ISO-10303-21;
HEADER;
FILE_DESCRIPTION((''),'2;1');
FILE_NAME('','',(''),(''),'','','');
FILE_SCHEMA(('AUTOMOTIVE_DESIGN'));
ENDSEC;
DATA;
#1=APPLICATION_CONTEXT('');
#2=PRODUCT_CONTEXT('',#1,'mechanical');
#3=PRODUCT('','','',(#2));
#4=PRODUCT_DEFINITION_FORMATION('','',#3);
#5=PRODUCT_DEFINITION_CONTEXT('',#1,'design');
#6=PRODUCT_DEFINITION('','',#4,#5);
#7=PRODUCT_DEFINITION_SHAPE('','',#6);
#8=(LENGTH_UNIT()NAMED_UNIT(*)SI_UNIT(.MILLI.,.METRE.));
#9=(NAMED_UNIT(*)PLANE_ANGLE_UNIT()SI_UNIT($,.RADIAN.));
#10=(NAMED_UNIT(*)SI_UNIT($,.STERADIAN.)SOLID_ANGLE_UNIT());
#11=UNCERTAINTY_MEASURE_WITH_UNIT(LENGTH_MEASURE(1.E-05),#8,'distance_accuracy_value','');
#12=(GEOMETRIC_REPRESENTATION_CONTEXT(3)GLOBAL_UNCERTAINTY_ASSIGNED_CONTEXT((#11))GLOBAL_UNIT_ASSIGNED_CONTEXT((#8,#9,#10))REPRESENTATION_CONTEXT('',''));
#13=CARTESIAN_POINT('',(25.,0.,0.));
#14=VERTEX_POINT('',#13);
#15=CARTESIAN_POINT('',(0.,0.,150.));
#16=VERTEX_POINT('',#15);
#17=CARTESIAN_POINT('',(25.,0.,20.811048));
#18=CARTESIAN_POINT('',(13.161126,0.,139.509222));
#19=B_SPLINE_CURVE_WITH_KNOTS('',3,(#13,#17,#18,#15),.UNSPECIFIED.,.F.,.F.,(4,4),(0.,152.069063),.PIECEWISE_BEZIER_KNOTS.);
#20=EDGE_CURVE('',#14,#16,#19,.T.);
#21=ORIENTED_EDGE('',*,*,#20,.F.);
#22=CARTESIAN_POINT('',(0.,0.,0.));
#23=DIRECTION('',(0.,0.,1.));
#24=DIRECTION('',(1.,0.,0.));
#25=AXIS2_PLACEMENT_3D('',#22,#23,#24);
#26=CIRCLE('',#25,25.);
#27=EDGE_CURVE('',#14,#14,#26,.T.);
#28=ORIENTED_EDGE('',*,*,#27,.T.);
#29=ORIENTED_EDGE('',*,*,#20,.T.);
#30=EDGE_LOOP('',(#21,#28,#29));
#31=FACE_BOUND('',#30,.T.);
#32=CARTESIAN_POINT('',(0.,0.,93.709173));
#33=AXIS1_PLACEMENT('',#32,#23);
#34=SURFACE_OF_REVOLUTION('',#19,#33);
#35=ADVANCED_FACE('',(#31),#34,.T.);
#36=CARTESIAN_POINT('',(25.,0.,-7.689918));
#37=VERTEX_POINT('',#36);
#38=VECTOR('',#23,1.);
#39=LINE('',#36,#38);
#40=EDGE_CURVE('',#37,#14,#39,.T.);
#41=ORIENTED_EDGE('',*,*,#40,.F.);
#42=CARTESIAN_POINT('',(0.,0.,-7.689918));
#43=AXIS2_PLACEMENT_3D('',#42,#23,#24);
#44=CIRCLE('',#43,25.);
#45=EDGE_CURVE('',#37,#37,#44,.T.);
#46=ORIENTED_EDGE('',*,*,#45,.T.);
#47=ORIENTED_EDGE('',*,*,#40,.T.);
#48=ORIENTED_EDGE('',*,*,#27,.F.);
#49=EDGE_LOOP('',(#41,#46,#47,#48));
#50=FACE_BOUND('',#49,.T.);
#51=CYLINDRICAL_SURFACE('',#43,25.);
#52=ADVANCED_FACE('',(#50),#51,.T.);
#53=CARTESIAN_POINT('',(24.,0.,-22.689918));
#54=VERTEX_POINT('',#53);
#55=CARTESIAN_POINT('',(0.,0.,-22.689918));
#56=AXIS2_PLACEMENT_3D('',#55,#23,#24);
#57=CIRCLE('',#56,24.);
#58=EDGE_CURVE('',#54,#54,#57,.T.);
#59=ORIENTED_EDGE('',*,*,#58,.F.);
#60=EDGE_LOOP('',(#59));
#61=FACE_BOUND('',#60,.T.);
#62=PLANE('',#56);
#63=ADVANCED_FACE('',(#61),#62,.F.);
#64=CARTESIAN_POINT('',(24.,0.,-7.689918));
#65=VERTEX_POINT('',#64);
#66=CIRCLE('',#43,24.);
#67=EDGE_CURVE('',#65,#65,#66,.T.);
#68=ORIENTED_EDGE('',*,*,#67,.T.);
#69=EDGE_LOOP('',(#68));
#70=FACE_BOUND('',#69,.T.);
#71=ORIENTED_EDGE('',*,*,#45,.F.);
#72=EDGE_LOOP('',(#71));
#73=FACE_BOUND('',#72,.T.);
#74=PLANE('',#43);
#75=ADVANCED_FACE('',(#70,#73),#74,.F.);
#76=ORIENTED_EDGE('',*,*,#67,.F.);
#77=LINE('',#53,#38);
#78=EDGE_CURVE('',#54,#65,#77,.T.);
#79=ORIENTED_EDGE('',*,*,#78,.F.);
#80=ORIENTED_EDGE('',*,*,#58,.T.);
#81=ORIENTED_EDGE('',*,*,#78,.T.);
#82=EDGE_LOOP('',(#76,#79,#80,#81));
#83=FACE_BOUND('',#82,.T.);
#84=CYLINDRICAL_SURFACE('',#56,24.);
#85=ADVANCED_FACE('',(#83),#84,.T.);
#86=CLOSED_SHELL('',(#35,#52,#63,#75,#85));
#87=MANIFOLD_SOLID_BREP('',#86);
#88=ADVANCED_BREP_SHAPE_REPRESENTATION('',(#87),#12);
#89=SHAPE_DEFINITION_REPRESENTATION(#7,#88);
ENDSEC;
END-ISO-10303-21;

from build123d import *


with BuildPart() as f1:
    # F0 (on Front) → F1 (revolve)
    with BuildSketch(Plane.XZ):
        with BuildLine():
            Line((0, 150), (0, -22.689918))
            Line((0, -22.689918), (24, -22.689918))
            Line((24, -22.689918), (24, -7.689918))
            Line((24, -7.689918), (25, -7.689918))
            Line((25, -7.689918), (25, 0))
            add(Edge.make_bspline(
                [(25, 0), (25, 20.811048), (13.161126, 139.509222), (0, 150)],
                knots=[0, 0, 0, 0, 152.069063, 152.069063, 152.069063, 152.069063], degree=3))
        make_face()
    revolve(axis=Axis((0, 0, 93.709173), (0, 0, 1)))


solid = f1.part
